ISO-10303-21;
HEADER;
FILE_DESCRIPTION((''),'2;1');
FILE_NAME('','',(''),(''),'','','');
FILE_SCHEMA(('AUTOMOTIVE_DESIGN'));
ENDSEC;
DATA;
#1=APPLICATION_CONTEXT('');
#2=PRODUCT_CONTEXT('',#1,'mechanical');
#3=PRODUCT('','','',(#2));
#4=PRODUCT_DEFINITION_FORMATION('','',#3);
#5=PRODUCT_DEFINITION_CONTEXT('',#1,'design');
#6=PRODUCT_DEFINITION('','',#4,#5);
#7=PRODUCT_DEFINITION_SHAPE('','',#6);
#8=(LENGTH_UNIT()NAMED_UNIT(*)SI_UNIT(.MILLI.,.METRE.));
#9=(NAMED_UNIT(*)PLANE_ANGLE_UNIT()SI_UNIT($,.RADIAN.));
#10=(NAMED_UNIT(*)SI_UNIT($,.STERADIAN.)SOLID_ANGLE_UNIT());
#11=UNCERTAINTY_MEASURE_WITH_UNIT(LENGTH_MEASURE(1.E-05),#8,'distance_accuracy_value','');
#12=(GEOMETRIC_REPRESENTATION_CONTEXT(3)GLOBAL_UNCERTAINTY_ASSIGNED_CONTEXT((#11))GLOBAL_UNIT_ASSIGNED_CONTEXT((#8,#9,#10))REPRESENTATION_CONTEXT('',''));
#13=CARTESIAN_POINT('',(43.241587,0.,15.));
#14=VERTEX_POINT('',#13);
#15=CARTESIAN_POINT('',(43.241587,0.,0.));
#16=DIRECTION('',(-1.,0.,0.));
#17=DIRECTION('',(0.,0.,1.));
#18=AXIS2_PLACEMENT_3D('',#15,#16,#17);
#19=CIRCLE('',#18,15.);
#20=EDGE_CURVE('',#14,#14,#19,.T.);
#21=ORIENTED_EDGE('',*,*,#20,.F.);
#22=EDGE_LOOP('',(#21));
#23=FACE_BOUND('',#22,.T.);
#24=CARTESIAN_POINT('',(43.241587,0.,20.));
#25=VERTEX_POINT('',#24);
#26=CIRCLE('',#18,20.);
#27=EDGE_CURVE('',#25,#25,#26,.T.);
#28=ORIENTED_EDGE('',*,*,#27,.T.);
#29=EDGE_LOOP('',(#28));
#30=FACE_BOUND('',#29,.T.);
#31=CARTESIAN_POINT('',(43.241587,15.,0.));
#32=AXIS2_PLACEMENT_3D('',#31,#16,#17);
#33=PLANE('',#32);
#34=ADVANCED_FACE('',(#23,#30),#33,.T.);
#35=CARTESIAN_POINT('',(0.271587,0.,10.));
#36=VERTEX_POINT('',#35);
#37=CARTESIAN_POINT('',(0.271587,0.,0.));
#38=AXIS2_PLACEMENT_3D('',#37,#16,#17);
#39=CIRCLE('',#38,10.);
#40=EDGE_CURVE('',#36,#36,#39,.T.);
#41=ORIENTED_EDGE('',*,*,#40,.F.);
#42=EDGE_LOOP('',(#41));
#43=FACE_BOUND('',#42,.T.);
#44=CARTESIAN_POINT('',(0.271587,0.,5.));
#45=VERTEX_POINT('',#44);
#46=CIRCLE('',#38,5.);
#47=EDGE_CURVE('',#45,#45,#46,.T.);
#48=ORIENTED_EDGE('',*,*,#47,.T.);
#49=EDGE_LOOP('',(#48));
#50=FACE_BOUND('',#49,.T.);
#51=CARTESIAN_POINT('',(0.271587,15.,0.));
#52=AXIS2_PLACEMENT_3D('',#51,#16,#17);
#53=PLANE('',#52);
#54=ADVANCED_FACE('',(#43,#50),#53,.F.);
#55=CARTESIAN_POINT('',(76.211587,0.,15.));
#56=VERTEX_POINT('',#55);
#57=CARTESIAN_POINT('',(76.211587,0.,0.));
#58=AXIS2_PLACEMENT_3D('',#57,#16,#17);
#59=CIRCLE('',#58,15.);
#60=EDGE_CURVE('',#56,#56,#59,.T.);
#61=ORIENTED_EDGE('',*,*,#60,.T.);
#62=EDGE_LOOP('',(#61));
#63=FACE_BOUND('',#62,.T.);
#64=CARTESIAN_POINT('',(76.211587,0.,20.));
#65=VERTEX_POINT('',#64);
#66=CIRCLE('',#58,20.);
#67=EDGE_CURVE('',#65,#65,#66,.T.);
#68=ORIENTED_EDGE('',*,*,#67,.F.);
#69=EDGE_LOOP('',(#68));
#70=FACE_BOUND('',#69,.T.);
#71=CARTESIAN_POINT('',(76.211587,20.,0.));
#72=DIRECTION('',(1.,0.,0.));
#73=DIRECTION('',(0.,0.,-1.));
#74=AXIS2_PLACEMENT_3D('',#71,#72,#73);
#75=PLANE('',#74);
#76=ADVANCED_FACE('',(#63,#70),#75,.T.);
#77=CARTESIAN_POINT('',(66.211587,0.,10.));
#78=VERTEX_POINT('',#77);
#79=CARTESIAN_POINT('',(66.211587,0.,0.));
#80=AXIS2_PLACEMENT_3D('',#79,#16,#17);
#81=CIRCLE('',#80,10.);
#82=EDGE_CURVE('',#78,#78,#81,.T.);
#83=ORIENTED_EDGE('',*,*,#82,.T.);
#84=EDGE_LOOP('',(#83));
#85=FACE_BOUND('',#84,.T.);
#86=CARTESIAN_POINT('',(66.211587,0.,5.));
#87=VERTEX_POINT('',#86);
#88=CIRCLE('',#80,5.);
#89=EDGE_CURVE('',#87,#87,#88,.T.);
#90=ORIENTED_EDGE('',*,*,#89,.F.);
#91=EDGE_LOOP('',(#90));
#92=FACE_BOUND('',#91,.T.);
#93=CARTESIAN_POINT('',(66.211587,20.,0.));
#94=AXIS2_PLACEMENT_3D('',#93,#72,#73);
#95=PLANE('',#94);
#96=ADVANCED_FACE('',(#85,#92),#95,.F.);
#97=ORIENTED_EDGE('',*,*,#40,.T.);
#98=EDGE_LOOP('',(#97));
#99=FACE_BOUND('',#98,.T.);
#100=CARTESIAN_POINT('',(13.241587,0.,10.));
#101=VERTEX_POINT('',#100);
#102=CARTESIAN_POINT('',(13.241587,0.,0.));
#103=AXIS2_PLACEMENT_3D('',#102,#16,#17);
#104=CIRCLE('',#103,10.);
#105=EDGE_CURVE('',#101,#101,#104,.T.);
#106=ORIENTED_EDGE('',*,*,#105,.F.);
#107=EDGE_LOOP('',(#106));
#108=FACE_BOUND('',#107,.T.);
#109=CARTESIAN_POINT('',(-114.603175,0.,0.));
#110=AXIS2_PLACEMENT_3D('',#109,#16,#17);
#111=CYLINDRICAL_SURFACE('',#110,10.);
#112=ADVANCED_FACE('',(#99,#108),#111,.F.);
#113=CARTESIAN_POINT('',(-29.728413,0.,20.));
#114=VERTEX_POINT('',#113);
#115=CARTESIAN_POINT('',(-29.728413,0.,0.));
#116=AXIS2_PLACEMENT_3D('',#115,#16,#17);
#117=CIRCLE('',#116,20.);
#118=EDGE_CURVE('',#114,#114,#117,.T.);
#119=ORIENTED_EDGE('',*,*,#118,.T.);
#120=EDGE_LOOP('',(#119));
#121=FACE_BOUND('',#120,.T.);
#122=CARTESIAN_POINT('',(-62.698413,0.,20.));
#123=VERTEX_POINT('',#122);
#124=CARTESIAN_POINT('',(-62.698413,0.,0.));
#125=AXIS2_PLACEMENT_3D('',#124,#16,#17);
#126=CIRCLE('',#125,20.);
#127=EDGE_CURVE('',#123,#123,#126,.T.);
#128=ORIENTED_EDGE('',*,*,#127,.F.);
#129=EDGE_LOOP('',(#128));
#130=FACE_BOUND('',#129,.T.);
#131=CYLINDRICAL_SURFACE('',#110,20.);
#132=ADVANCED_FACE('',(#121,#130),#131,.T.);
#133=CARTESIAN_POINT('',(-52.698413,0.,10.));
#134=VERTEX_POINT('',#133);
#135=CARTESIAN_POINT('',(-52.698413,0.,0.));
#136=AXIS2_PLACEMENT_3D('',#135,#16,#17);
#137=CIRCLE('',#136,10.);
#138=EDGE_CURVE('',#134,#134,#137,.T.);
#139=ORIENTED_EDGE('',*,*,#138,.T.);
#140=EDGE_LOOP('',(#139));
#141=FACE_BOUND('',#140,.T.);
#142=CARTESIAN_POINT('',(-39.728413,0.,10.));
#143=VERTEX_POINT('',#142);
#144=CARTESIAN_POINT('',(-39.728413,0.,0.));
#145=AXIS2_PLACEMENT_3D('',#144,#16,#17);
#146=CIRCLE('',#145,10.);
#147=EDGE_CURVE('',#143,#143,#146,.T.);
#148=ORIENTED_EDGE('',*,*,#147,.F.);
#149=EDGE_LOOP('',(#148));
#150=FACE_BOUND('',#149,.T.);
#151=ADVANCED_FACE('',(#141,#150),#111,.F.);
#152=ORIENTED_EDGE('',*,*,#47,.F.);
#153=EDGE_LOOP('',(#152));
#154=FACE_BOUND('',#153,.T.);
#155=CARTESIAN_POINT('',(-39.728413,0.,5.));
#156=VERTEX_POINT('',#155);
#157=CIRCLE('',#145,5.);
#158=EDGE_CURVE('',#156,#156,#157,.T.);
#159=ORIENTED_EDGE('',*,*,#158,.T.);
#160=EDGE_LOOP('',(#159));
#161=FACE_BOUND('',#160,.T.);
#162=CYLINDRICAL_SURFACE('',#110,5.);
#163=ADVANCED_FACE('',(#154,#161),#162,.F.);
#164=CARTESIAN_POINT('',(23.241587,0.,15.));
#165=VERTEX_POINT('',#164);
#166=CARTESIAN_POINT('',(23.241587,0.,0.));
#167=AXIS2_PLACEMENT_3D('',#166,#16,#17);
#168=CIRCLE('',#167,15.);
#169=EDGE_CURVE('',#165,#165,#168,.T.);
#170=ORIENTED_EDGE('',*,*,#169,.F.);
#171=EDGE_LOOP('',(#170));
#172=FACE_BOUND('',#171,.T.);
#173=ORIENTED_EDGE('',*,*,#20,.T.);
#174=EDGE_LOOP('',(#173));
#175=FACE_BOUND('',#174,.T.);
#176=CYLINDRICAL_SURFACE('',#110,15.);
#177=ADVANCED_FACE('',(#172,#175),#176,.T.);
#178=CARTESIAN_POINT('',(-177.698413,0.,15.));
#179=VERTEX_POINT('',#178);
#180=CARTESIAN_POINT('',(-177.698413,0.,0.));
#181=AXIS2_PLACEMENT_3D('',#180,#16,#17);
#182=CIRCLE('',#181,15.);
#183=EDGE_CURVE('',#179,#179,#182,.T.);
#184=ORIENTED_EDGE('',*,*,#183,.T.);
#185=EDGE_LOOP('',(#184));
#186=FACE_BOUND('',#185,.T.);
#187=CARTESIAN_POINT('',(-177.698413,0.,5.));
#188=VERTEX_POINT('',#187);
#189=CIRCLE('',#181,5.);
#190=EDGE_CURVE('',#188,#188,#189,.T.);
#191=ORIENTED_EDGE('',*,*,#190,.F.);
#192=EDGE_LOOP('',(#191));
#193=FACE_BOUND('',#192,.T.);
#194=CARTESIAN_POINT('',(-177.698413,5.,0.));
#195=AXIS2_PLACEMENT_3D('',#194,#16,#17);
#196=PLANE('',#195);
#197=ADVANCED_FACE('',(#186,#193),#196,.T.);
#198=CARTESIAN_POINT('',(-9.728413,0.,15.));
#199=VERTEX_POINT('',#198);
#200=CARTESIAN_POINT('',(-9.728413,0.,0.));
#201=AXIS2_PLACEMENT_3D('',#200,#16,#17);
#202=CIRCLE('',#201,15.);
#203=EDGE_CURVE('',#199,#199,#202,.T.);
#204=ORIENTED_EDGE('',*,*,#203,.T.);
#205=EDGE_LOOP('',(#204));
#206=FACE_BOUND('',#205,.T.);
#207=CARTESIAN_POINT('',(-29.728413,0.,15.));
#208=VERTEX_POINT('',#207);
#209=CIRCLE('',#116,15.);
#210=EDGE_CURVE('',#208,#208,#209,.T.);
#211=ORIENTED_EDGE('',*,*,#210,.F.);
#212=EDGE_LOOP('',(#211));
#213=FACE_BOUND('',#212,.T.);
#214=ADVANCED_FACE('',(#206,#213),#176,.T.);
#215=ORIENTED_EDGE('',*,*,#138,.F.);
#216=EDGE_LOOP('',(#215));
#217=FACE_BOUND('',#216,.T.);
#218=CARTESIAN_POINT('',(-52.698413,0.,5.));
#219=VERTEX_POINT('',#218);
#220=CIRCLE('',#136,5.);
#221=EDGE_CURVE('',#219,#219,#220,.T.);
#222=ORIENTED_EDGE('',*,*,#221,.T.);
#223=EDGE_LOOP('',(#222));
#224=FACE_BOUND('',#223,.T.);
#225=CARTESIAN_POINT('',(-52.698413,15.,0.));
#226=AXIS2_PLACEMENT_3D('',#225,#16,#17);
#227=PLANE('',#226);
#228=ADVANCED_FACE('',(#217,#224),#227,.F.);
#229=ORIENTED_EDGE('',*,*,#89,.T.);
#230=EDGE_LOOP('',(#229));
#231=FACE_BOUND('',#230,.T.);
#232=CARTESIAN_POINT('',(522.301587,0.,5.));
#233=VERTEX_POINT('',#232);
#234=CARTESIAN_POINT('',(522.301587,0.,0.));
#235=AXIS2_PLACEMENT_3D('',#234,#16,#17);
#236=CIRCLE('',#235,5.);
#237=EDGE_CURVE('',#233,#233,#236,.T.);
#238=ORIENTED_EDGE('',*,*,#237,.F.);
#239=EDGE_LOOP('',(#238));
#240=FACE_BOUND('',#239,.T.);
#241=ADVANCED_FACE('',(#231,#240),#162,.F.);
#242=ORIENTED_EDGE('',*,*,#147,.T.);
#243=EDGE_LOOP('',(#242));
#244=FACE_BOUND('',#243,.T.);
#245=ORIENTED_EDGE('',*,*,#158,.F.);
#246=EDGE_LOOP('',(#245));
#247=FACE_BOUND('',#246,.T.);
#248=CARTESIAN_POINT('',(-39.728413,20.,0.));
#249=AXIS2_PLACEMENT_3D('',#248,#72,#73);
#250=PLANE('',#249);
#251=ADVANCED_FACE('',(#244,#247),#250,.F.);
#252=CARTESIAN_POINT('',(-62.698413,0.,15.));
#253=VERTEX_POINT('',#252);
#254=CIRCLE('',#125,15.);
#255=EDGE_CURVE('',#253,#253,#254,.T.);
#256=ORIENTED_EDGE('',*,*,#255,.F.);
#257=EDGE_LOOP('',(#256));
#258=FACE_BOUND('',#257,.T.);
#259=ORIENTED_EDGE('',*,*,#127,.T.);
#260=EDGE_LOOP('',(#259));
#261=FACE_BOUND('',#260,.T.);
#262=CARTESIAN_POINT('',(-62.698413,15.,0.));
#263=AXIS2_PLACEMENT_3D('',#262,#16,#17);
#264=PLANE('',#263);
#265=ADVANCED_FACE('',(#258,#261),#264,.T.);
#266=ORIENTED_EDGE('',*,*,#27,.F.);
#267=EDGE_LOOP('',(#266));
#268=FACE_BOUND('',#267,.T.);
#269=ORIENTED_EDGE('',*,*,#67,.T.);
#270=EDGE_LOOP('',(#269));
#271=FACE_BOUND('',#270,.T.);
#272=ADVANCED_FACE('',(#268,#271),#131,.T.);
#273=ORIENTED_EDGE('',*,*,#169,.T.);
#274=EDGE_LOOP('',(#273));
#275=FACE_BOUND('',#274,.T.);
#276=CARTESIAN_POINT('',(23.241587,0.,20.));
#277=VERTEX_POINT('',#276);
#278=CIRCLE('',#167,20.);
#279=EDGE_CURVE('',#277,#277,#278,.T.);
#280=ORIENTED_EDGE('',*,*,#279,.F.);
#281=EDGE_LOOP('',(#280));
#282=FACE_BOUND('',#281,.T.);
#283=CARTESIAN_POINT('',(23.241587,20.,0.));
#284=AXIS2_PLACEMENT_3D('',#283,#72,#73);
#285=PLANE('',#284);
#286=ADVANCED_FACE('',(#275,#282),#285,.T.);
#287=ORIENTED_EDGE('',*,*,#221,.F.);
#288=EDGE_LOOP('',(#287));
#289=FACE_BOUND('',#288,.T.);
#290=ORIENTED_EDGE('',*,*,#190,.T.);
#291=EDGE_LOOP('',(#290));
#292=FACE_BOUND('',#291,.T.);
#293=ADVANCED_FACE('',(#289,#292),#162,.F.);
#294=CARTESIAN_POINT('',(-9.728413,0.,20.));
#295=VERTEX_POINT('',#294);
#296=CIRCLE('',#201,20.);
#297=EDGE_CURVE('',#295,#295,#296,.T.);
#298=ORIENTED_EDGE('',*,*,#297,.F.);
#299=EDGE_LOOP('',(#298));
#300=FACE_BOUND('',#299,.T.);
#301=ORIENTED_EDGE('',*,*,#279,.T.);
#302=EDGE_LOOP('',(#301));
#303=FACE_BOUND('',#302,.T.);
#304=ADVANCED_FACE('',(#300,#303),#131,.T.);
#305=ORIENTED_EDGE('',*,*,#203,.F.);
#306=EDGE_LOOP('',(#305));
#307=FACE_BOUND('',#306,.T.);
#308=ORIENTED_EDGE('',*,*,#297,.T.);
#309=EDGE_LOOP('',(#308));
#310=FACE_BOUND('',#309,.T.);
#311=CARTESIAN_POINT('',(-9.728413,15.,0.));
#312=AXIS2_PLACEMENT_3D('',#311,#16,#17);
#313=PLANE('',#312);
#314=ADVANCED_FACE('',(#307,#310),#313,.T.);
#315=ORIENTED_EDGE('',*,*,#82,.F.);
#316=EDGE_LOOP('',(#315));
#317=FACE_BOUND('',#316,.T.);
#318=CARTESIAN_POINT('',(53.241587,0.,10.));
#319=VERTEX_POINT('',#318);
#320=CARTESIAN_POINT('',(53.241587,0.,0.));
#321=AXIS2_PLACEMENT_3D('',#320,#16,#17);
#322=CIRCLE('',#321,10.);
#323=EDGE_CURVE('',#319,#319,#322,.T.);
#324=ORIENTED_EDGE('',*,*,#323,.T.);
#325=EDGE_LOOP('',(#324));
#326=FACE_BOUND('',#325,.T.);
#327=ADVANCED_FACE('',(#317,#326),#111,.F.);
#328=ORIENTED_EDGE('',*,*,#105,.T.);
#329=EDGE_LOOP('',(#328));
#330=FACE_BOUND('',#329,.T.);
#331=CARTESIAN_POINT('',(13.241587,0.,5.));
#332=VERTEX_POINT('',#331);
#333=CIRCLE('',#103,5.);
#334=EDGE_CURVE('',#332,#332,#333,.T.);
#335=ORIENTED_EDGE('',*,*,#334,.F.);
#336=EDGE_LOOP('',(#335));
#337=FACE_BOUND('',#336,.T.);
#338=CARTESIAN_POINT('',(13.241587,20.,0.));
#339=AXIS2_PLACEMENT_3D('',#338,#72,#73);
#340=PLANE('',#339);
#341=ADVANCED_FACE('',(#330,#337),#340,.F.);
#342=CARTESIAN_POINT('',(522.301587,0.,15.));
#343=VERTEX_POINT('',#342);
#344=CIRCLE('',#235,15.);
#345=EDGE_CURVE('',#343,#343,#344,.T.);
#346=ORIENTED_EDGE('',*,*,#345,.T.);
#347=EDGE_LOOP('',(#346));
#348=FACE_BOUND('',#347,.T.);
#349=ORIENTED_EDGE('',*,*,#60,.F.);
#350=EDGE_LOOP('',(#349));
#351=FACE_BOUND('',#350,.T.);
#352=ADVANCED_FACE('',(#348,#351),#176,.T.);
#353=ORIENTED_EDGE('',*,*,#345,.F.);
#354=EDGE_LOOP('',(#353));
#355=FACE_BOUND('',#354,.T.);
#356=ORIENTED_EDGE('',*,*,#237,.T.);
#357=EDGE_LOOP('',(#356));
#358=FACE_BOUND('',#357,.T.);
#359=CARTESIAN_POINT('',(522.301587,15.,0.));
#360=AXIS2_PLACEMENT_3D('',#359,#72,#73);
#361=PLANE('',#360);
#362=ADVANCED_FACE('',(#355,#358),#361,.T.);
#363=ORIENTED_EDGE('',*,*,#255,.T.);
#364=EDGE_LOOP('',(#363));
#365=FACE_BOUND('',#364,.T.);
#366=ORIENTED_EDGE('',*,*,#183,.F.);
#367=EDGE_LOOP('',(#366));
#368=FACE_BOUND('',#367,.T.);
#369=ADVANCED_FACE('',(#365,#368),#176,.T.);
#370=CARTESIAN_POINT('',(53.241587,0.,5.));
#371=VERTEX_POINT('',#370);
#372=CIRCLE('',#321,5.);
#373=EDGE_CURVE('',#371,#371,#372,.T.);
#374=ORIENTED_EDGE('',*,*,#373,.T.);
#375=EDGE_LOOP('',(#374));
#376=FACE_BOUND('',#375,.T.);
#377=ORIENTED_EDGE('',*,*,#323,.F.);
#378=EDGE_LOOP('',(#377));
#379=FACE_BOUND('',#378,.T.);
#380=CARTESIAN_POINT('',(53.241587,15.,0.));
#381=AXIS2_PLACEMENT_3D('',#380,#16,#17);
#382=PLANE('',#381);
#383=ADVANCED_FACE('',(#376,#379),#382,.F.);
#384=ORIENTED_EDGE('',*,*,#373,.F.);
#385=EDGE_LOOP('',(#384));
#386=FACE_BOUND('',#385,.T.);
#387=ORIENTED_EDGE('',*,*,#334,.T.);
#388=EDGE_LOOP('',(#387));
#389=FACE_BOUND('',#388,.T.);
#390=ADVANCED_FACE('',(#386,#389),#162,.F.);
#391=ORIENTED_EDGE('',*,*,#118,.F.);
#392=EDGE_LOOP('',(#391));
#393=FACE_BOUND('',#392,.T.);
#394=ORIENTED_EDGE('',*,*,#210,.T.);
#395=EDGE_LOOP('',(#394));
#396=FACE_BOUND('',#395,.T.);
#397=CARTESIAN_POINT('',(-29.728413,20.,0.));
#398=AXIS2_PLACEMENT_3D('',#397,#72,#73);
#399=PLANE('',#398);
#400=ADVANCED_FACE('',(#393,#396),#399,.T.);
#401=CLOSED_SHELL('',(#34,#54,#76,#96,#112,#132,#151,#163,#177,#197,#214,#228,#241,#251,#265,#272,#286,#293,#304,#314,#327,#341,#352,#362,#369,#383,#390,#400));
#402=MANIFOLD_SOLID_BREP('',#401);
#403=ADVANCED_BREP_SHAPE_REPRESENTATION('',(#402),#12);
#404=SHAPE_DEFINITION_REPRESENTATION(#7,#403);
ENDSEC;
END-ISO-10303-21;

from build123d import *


with BuildPart() as part:
    # Sketch1 → Revolve-Thin1 (revolve)
    with BuildSketch(Plane.XY):
        Polygon((-177.698412698, 15), (-152.698412698, 15), (-62.698412698, 15), (-62.698412698, 20), (-29.728412698, 20), (-29.728412698, 15), (-9.728412698, 15), (-9.728412698, 20), (23.241587302, 20), (23.241587302, 15), (43.241587302, 15), (43.241587302, 20), (76.211587302, 20), (76.211587302, 15), (192.237786857, 15), (497.301587302, 15), (522.301587302, 15), (522.301587302, 5), (497.301587302, 5), (192.237786857, 5), (66.211587302, 5), (66.211587302, 10), (53.241587302, 10), (53.241587302, 5), (13.241587302, 5), (13.241587302, 10), (0.271587302, 10), (0.271587302, 5), (-39.728412698, 5), (-39.728412698, 10), (-52.698412698, 10), (-52.698412698, 5), (-152.698412698, 5), (-177.698412698, 5), align=None)
    revolve(axis=Axis((-114.603174603, 0, 0), (1, 0, 0)))


solid = part.part
